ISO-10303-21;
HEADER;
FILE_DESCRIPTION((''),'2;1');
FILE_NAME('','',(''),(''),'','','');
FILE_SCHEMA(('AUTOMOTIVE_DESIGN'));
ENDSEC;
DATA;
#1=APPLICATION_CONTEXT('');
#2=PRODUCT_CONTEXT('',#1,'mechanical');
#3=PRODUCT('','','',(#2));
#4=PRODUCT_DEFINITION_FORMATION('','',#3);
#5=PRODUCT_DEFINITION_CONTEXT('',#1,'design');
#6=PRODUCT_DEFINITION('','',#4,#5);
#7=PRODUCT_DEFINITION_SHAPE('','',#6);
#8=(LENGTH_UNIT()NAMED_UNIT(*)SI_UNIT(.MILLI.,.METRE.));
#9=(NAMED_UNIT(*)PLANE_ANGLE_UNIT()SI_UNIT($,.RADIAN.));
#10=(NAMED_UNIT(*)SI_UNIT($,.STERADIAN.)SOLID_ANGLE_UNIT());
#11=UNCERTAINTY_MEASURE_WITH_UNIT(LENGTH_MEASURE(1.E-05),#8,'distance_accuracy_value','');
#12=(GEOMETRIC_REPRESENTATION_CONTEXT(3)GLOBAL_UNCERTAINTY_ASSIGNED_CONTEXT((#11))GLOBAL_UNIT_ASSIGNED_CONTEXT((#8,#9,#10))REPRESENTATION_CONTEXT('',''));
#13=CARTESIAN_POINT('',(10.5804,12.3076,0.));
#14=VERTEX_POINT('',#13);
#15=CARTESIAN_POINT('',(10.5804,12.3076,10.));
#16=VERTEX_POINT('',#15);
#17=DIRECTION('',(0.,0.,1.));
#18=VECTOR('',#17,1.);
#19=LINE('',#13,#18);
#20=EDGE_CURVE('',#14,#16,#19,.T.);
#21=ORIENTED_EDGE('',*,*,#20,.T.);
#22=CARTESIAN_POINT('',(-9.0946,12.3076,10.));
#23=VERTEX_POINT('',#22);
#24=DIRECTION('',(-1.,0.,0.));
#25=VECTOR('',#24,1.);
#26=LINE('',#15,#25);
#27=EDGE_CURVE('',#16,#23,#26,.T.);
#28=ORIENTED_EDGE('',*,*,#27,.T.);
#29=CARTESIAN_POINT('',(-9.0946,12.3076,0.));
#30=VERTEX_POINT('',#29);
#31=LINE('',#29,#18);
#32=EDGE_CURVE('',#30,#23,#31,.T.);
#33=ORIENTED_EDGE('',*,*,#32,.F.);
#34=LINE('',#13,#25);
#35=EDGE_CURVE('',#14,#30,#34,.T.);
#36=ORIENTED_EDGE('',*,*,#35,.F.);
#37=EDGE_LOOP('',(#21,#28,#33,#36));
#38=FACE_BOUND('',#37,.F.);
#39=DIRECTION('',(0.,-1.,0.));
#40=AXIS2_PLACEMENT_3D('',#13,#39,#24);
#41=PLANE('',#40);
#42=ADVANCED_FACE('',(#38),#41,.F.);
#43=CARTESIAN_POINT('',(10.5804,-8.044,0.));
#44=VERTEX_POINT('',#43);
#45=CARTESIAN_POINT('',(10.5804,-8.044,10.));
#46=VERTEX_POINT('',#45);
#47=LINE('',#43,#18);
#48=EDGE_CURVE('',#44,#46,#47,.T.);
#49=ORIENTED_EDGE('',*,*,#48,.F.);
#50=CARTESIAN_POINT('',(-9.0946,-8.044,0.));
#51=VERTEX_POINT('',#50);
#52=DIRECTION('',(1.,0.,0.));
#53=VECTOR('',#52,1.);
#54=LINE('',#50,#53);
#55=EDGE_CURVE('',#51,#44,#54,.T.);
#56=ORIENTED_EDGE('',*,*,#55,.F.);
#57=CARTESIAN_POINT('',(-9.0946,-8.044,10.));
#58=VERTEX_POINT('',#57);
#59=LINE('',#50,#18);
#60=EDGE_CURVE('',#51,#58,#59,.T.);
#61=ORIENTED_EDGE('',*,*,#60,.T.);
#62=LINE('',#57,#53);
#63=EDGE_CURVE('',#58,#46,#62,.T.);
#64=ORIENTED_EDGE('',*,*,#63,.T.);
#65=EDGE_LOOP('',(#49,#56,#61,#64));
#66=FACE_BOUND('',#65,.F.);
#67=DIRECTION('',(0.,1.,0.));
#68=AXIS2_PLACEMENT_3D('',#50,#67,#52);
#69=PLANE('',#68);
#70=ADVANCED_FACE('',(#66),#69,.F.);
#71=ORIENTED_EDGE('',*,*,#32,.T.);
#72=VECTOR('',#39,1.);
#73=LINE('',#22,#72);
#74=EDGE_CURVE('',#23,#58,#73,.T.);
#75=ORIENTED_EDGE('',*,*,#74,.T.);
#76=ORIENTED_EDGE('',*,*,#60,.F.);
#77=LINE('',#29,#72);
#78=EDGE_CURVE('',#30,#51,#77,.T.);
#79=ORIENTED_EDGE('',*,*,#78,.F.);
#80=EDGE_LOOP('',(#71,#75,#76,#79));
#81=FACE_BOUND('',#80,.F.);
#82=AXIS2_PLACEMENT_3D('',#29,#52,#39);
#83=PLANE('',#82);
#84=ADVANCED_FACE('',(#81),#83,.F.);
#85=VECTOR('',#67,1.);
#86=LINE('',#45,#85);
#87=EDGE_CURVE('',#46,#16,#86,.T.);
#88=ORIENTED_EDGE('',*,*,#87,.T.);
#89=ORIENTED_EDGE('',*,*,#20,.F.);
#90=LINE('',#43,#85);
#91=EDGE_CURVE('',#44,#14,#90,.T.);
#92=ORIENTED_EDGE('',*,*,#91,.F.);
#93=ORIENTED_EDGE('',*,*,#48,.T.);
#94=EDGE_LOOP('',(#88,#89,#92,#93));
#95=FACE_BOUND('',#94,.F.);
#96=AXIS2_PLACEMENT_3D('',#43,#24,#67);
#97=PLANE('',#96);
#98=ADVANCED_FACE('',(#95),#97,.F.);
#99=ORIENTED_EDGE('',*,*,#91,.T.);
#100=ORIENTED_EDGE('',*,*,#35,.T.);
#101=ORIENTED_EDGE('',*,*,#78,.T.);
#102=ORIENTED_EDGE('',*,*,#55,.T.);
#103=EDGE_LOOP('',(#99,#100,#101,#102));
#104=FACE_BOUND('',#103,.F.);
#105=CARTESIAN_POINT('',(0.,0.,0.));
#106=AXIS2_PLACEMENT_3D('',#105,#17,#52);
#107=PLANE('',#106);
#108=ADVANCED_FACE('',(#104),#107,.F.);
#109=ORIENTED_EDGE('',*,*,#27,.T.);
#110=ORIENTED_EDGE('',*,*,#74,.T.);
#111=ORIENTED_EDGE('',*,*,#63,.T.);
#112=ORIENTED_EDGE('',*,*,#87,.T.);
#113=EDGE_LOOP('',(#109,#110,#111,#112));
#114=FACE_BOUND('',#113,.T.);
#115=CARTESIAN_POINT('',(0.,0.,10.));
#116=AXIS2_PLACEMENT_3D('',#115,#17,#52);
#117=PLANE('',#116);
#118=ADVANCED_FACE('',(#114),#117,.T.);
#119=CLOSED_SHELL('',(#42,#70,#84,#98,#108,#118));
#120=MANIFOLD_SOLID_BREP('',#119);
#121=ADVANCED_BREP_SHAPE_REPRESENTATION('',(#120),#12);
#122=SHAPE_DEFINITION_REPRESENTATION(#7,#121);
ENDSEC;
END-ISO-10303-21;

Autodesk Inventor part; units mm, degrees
ref_plane "YZ Plane" through (0, 0, 0) normal (1, 0, 0) x (0, 1, 0)
ref_plane "XZ Plane" through (0, 0, 0) normal (0, 1, 0) x (-1, 0, 0)
ref_plane "XY Plane" through (0, 0, 0) normal (0, 0, 1) x (1, 0, 0)
sketch "Sketch1" plane through (0, 0, 0) normal (0, 0, 1) x (1, 0, 0)
  line L0 (-9.0946, -8.044) -> (10.5804, -8.044)
  line L1 (10.5804, -8.044) -> (10.5804, 12.3076)
  line L2 (10.5804, 12.3076) -> (-9.0946, 12.3076)
  line L3 (-9.0946, 12.3076) -> (-9.0946, -8.044)
  point P0 (0, 0)
extrude "Extrusion1" add sketch "Sketch1" along normal blind 10
